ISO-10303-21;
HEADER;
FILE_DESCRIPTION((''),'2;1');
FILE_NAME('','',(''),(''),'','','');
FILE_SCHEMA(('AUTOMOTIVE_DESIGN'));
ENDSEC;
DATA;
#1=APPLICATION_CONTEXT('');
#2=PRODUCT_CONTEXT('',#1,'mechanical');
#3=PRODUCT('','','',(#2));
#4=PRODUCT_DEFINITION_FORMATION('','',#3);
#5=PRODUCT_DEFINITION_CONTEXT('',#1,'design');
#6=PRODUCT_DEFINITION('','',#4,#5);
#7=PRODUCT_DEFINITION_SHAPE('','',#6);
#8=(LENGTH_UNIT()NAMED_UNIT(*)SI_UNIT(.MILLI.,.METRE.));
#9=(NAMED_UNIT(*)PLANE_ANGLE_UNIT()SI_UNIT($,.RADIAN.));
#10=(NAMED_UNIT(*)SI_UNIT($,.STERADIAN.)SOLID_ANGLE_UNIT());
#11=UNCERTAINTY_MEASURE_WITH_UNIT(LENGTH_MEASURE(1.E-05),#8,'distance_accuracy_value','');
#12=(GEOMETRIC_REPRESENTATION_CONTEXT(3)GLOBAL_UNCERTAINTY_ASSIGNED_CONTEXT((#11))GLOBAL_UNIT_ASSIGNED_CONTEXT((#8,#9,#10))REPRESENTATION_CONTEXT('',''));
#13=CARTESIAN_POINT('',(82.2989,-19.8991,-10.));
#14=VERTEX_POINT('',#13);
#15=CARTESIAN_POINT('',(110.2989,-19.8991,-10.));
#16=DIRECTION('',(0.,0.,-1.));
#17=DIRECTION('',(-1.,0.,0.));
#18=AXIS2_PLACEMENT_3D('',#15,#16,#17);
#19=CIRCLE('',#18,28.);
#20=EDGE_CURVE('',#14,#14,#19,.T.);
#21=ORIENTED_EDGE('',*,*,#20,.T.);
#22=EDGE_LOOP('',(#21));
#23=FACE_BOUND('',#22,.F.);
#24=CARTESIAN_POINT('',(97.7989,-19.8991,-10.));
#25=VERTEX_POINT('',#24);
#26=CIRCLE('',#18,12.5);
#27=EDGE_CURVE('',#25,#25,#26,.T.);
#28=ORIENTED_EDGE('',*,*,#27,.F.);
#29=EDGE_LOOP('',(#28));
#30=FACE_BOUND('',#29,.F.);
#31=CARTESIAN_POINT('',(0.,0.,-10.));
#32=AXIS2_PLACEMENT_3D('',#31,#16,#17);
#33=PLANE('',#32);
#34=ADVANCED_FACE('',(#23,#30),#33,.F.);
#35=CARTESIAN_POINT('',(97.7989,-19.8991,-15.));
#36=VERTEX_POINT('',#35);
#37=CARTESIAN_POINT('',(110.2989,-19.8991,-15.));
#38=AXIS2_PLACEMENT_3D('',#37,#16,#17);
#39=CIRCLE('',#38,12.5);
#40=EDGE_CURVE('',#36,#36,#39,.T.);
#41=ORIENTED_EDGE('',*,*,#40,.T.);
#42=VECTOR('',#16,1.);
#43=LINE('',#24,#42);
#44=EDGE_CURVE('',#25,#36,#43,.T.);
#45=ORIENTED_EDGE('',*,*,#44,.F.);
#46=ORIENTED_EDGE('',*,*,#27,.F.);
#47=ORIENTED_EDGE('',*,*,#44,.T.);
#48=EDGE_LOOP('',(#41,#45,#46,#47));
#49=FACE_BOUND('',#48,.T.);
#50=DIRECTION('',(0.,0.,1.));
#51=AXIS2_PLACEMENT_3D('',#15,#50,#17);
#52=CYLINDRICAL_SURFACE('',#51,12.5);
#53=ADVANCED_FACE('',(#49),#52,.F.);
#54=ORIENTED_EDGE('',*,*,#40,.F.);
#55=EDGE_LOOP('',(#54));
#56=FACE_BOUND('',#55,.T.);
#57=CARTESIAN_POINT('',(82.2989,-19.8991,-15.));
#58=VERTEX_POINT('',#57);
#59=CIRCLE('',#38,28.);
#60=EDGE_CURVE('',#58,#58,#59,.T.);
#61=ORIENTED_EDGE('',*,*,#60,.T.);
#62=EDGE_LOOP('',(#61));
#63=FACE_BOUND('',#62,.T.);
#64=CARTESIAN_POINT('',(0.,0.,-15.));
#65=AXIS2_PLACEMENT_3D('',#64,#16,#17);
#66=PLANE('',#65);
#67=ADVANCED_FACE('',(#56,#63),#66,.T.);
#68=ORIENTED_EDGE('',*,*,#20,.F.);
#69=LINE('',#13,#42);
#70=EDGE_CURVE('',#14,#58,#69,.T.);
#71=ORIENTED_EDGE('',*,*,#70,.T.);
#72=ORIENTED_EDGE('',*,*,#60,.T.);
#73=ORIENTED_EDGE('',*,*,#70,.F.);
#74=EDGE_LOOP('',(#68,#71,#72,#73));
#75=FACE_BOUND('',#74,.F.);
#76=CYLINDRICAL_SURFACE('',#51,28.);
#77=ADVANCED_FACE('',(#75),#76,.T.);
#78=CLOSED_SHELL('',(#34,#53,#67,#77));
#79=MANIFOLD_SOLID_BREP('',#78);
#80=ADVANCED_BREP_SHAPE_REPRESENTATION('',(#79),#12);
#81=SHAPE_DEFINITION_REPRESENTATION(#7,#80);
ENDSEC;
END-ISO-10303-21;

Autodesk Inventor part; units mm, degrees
ref_plane "YZ Plane" through (0, 0, 0) normal (1, 0, 0) x (0, 1, 0)
ref_plane "XZ Plane" through (0, 0, 0) normal (0, 1, 0) x (-1, 0, 0)
ref_plane "XY Plane" through (0, 0, 0) normal (0, 0, 1) x (1, 0, 0)
ref_plane "Work Plane1" through (0, 0, 0) normal (0, 0, -1) x (-1, 0, 0)
sketch "Sketch2" plane through (0, 0, 0) normal (0, 0, -1) x (-1, 0, 0)
  circle A0 centre (-110.2989, -19.8991) radius 12.5 projected
  arc A1 (-94.6273, 14.7187) -> (-110.9661, -57.8933) centre (-110.2989, -19.8991) ccw
  arc A2 (-94.6273, 14.7187) -> (-66.2148, 12.4187) centre (-77.8689, 45.0954) ccw
  arc A3 (-33.9955, -46.3001) -> (-64.4521, 13.5018) centre (-40.3561, -11.8829) ccw
  arc A4 (-66.2148, 12.4187) -> (-64.4521, 13.5018) centre (-67.8944, 17.1282) ccw
  arc A5 (-33.9955, -46.3001) -> (-35.1369, -46.6564) centre (-33.0868, -51.2168) ccw
  arc A6 (-109.6375, -58.0974) -> (-35.1369, -46.6564) centre (-84.5507, 26.8294) ccw
  arc A7 (-109.6375, -58.0974) -> (-110.9661, -57.8933) centre (-111.0539, -62.8925) ccw
  point P0 (0, 0)
  point P1 (-110.2989, -57.8991)
  point P2 (-29.7821, -43.8025)
  dimension "d38" = 76
  dimension "d42" = 70
  dimension "d43" = 5
  dimension "d48" = 5
ref_plane "Work Plane2" through (0, 0, -10) normal (0, 0, -1) x (-1, 0, 0)
sketch "Sketch3" plane through (0, 0, -10) normal (0, 0, -1) x (-1, 0, 0)
  circle A0 centre (-110.2989, -19.8991) radius 12.5 projected
  circle A1 centre (-110.2989, -19.8991) radius 28
  circle A2 centre (-110.2989, -19.8991) radius 12.5
  point P0 (0, 0)
  dimension "d44" = 56
  dimension "d45" = 25
extrude "Extrusion5" add sketch "Sketch3" along normal blind 5
properties part number "body depart"
